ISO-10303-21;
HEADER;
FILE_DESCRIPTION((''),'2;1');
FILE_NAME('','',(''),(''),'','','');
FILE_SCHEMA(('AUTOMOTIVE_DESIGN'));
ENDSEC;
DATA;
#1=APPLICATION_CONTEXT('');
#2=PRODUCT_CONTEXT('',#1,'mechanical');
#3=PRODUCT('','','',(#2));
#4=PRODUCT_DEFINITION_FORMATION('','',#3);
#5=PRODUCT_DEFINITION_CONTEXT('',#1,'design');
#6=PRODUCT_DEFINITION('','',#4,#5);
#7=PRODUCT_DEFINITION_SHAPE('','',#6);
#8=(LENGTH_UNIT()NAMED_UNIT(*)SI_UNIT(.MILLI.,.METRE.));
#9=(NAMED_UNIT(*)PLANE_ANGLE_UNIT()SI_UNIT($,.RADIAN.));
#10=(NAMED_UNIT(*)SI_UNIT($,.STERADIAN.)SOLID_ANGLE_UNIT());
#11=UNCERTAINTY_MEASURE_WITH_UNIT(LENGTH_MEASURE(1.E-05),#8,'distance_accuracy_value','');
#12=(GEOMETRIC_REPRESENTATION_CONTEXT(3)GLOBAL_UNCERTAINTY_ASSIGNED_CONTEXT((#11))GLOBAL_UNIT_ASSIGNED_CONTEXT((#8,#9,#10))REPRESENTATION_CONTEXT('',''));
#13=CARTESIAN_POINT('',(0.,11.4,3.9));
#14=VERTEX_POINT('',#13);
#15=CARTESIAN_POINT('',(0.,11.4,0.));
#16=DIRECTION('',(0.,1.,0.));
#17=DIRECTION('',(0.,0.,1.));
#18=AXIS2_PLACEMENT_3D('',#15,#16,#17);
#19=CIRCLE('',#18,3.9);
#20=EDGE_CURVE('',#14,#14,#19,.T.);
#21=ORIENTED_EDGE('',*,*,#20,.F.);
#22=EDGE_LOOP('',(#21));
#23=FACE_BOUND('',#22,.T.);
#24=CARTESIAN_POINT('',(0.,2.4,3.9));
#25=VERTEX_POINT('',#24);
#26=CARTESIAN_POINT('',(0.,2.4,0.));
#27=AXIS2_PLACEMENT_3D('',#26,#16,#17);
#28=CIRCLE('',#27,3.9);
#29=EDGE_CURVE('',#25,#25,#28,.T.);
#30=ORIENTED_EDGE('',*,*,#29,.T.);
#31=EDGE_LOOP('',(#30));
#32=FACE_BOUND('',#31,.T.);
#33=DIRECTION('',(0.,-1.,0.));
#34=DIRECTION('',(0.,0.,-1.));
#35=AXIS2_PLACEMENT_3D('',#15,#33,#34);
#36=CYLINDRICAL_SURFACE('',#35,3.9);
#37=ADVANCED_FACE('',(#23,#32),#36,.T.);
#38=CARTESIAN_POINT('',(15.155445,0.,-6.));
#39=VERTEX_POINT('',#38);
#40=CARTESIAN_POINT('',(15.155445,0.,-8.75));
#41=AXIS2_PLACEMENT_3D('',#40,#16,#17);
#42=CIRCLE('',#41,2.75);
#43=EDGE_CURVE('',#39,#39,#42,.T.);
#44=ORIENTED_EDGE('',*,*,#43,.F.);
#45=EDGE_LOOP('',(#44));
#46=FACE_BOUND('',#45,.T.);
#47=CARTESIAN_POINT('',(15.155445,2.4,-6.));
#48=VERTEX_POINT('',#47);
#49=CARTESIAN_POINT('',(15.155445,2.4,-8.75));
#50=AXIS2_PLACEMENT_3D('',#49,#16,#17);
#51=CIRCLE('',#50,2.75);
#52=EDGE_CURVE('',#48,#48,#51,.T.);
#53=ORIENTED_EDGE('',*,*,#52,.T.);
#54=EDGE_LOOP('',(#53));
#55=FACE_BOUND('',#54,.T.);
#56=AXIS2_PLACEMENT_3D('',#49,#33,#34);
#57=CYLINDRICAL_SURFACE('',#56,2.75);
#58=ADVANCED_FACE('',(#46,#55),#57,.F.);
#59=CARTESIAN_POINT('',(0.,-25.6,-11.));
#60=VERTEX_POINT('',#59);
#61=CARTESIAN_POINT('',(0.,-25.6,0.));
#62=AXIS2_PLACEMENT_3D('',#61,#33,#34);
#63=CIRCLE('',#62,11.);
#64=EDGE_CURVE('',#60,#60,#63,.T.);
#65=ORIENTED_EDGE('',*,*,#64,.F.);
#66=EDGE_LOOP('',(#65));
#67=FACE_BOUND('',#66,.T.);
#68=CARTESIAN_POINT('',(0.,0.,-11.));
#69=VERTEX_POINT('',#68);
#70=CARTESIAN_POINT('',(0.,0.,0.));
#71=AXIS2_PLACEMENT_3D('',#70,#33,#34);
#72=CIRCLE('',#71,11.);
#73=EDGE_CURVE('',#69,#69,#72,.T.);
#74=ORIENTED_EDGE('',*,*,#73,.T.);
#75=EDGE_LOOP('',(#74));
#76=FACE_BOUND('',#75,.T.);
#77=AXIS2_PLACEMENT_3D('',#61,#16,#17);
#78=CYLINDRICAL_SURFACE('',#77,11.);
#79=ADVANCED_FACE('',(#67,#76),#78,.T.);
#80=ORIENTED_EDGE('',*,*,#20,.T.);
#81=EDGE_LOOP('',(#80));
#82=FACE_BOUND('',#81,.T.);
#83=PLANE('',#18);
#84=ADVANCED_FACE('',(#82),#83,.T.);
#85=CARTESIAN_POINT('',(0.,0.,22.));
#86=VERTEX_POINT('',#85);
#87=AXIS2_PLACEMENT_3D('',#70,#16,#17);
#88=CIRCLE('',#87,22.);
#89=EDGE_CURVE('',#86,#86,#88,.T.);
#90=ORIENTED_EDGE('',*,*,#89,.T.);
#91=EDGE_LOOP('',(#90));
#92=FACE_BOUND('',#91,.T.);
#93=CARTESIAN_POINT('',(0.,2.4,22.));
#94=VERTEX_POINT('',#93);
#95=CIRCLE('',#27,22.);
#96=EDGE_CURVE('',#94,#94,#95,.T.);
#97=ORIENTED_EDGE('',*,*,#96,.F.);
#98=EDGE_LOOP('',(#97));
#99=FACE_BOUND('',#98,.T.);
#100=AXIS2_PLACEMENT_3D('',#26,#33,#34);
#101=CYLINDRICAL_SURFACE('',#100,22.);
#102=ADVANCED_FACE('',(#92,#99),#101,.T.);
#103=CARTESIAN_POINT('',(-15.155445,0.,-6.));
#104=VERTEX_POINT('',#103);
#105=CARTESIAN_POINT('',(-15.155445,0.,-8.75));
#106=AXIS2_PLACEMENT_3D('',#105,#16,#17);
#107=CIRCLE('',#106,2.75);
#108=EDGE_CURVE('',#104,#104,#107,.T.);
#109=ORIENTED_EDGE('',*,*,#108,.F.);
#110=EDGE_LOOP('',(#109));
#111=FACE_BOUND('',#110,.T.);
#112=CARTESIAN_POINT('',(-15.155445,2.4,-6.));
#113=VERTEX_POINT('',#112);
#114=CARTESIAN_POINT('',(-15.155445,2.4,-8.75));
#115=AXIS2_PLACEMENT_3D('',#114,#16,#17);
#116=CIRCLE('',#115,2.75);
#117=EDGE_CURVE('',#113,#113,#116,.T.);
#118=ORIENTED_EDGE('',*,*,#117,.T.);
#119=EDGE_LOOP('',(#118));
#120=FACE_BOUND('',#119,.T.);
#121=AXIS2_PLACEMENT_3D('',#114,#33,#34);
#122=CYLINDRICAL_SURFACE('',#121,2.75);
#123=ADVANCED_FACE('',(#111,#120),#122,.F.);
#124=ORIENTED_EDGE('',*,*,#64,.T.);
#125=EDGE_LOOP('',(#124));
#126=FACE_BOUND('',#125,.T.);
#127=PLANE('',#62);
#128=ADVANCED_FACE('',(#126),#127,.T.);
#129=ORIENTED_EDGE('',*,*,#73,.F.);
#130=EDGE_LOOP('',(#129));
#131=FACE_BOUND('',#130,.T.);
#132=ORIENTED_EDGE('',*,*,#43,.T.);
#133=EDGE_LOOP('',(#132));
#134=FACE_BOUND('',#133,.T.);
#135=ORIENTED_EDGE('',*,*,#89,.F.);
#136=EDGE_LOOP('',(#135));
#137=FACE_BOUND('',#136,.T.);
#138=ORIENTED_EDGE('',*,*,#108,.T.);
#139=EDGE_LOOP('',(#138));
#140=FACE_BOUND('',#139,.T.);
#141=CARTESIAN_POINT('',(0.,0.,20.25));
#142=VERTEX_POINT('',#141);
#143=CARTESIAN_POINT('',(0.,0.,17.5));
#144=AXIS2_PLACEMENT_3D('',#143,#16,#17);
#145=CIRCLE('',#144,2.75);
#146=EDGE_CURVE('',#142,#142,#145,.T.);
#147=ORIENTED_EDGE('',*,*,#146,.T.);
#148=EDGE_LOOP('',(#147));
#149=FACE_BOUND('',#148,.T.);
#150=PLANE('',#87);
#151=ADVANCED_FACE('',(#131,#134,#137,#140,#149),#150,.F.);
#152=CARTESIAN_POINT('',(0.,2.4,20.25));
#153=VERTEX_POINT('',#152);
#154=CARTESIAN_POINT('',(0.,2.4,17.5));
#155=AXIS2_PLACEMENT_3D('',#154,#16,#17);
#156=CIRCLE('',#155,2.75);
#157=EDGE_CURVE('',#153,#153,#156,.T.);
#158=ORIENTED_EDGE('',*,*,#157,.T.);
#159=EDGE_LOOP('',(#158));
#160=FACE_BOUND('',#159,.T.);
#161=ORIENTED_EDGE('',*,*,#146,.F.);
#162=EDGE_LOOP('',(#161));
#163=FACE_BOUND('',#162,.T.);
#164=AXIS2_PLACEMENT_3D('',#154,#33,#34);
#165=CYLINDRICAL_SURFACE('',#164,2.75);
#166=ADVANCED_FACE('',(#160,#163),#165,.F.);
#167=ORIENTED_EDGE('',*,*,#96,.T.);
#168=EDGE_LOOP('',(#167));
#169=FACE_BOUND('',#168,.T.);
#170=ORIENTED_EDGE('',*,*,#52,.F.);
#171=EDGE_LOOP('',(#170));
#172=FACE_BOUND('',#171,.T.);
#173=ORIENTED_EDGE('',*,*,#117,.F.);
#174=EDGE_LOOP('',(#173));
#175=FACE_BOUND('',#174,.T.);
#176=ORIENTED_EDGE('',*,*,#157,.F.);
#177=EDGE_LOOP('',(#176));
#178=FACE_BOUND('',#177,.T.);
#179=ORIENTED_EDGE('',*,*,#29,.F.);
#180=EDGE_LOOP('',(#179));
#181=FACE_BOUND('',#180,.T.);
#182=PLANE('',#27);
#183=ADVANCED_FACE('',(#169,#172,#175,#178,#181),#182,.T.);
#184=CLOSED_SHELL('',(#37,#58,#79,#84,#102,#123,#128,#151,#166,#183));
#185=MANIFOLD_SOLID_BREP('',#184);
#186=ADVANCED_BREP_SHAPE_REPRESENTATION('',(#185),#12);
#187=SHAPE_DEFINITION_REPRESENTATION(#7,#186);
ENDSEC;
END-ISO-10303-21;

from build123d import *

# Parameters (mm, degrees)
SKETCH1_R           = 22
SKETCH1_R_2         = 2.75
BOSS_EXTRUDE1_DEPTH = 2.4
SKETCH2_R           = 11
BOSS_EXTRUDE2_DEPTH = 25.6
SKETCH3_R           = 3.9
BOSS_EXTRUDE3_DEPTH = 9


with BuildPart() as part:
    # Sketch1 → Boss-Extrude1 (new body)
    with BuildSketch(Plane(origin=(0, 0, 0), x_dir=(1, 0, 0), z_dir=(0, 1, 0))):
        Circle(SKETCH1_R)
        with Locations((-15.155444566, 8.75)):
            Circle(SKETCH1_R_2, mode=Mode.SUBTRACT)
        with Locations((15.155444566, 8.75)):
            Circle(SKETCH1_R_2, mode=Mode.SUBTRACT)
        with Locations((0, -17.5)):
            Circle(SKETCH1_R_2, mode=Mode.SUBTRACT)
    extrude(amount=BOSS_EXTRUDE1_DEPTH)

    # Sketch2 → Boss-Extrude2 (add)
    with BuildSketch(Plane.XZ):
        Circle(SKETCH2_R)
    extrude(amount=BOSS_EXTRUDE2_DEPTH)

    # Sketch3 → Boss-Extrude3 (add)
    with BuildSketch(Plane(origin=(0, 2.4, 0), x_dir=(1, 0, 0), z_dir=(0, 1, 0))):
        Circle(SKETCH3_R)
    extrude(amount=BOSS_EXTRUDE3_DEPTH)


solid = part.part
